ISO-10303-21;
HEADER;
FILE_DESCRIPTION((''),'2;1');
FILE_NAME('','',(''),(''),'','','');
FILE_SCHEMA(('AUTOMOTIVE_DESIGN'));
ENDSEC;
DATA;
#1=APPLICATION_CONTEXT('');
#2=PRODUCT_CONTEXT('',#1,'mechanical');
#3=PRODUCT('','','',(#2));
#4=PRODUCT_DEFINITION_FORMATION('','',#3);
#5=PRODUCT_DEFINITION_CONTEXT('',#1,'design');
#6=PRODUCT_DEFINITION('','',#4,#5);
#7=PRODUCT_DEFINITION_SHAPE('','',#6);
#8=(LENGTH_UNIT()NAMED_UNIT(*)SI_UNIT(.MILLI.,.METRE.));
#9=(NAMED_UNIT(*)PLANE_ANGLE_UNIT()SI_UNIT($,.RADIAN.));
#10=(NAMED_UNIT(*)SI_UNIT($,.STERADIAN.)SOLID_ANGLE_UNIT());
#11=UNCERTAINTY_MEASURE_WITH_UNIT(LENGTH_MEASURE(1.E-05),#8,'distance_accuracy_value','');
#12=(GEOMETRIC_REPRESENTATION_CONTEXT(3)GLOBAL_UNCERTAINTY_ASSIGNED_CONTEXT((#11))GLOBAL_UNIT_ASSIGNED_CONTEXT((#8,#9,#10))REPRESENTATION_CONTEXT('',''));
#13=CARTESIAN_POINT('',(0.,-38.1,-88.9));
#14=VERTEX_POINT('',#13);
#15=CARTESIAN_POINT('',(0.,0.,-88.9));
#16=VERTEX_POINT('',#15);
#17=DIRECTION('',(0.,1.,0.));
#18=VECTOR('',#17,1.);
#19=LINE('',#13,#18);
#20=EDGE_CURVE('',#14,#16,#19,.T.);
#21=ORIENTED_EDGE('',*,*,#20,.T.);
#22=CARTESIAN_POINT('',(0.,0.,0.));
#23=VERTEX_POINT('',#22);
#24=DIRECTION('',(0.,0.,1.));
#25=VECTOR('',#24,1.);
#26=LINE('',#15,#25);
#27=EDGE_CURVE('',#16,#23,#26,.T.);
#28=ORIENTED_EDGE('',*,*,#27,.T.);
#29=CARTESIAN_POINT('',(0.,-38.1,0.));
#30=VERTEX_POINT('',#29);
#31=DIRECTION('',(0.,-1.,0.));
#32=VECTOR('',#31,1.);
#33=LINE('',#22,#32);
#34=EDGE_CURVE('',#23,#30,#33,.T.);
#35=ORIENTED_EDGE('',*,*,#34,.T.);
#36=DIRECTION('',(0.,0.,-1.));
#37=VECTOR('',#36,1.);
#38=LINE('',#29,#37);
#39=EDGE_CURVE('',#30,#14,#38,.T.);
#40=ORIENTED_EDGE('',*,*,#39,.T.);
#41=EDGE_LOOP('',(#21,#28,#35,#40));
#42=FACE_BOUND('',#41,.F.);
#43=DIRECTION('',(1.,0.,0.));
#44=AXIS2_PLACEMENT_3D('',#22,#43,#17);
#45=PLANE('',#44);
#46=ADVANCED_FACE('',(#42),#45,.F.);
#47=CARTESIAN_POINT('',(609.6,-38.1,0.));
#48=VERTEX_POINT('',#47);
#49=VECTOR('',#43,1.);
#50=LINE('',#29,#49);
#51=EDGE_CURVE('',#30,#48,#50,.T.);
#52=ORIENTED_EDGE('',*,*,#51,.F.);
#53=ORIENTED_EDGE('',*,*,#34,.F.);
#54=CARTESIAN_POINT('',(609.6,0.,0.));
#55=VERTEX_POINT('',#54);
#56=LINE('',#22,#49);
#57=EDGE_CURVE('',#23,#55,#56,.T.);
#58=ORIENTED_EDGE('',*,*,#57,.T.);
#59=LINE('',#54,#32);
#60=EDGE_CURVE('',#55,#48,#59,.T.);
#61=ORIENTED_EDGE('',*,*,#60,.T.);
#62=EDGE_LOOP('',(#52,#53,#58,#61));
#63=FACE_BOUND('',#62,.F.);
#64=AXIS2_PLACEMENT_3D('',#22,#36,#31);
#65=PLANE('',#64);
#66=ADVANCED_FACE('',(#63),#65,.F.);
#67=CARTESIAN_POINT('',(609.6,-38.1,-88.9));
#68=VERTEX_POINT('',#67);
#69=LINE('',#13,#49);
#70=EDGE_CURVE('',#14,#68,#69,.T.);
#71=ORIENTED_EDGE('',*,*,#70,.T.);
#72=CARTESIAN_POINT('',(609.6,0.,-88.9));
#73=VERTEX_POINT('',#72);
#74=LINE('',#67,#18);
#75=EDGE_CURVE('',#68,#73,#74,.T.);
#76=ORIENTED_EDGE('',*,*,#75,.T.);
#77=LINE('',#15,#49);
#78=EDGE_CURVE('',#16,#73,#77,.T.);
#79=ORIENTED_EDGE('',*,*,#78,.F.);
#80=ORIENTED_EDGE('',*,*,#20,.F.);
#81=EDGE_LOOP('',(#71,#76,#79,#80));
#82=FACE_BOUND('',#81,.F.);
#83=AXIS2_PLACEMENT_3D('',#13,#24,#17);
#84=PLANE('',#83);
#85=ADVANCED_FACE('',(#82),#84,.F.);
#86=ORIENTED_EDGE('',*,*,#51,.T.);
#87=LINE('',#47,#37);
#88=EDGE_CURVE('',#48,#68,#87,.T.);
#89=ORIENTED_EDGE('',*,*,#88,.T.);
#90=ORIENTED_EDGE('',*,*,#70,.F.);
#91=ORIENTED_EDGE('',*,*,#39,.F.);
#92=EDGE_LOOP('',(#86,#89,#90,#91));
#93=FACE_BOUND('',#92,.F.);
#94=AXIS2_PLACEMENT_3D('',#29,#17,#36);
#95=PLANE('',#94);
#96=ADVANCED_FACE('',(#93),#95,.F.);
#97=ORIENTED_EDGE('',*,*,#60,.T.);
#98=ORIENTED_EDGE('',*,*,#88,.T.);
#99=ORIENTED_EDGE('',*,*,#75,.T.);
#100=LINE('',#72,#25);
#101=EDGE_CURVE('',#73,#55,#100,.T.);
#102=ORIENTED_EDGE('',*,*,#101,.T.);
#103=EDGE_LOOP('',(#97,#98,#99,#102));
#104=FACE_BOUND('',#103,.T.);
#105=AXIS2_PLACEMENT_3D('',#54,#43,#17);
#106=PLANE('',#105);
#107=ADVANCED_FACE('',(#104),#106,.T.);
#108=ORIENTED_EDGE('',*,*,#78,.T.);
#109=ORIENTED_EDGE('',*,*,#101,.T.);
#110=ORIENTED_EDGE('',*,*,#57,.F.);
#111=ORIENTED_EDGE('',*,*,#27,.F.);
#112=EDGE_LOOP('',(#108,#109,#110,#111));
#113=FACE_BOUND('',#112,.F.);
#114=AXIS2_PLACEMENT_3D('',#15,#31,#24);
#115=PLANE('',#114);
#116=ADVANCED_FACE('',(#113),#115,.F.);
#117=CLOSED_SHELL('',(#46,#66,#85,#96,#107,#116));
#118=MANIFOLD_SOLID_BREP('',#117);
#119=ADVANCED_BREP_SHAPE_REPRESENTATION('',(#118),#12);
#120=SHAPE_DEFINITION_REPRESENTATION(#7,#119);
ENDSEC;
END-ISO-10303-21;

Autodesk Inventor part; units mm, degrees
ref_plane "YZ Plane" through (0, 0, 0) normal (1, 0, 0) x (0, 1, 0)
ref_plane "XZ Plane" through (0, 0, 0) normal (0, 1, 0) x (-1, 0, 0)
ref_plane "XY Plane" through (0, 0, 0) normal (0, 0, 1) x (1, 0, 0)
sketch "Sketch1" plane through (0, 0, 0) normal (1, 0, 0) x (0, 1, 0)
  line L0 (0, 0) -> (-38.1, 0)
  line L1 (-38.1, 0) -> (-38.1, -88.9)
  line L2 (-38.1, -88.9) -> (0, -88.9)
  line L3 (0, -88.9) -> (0, 0)
  dimension "d0" = 38.1
  dimension "d1" = 88.9
extrude "Extrusion1" add sketch "Sketch1" along normal blind 609.6
properties part number "2x4 Width"
